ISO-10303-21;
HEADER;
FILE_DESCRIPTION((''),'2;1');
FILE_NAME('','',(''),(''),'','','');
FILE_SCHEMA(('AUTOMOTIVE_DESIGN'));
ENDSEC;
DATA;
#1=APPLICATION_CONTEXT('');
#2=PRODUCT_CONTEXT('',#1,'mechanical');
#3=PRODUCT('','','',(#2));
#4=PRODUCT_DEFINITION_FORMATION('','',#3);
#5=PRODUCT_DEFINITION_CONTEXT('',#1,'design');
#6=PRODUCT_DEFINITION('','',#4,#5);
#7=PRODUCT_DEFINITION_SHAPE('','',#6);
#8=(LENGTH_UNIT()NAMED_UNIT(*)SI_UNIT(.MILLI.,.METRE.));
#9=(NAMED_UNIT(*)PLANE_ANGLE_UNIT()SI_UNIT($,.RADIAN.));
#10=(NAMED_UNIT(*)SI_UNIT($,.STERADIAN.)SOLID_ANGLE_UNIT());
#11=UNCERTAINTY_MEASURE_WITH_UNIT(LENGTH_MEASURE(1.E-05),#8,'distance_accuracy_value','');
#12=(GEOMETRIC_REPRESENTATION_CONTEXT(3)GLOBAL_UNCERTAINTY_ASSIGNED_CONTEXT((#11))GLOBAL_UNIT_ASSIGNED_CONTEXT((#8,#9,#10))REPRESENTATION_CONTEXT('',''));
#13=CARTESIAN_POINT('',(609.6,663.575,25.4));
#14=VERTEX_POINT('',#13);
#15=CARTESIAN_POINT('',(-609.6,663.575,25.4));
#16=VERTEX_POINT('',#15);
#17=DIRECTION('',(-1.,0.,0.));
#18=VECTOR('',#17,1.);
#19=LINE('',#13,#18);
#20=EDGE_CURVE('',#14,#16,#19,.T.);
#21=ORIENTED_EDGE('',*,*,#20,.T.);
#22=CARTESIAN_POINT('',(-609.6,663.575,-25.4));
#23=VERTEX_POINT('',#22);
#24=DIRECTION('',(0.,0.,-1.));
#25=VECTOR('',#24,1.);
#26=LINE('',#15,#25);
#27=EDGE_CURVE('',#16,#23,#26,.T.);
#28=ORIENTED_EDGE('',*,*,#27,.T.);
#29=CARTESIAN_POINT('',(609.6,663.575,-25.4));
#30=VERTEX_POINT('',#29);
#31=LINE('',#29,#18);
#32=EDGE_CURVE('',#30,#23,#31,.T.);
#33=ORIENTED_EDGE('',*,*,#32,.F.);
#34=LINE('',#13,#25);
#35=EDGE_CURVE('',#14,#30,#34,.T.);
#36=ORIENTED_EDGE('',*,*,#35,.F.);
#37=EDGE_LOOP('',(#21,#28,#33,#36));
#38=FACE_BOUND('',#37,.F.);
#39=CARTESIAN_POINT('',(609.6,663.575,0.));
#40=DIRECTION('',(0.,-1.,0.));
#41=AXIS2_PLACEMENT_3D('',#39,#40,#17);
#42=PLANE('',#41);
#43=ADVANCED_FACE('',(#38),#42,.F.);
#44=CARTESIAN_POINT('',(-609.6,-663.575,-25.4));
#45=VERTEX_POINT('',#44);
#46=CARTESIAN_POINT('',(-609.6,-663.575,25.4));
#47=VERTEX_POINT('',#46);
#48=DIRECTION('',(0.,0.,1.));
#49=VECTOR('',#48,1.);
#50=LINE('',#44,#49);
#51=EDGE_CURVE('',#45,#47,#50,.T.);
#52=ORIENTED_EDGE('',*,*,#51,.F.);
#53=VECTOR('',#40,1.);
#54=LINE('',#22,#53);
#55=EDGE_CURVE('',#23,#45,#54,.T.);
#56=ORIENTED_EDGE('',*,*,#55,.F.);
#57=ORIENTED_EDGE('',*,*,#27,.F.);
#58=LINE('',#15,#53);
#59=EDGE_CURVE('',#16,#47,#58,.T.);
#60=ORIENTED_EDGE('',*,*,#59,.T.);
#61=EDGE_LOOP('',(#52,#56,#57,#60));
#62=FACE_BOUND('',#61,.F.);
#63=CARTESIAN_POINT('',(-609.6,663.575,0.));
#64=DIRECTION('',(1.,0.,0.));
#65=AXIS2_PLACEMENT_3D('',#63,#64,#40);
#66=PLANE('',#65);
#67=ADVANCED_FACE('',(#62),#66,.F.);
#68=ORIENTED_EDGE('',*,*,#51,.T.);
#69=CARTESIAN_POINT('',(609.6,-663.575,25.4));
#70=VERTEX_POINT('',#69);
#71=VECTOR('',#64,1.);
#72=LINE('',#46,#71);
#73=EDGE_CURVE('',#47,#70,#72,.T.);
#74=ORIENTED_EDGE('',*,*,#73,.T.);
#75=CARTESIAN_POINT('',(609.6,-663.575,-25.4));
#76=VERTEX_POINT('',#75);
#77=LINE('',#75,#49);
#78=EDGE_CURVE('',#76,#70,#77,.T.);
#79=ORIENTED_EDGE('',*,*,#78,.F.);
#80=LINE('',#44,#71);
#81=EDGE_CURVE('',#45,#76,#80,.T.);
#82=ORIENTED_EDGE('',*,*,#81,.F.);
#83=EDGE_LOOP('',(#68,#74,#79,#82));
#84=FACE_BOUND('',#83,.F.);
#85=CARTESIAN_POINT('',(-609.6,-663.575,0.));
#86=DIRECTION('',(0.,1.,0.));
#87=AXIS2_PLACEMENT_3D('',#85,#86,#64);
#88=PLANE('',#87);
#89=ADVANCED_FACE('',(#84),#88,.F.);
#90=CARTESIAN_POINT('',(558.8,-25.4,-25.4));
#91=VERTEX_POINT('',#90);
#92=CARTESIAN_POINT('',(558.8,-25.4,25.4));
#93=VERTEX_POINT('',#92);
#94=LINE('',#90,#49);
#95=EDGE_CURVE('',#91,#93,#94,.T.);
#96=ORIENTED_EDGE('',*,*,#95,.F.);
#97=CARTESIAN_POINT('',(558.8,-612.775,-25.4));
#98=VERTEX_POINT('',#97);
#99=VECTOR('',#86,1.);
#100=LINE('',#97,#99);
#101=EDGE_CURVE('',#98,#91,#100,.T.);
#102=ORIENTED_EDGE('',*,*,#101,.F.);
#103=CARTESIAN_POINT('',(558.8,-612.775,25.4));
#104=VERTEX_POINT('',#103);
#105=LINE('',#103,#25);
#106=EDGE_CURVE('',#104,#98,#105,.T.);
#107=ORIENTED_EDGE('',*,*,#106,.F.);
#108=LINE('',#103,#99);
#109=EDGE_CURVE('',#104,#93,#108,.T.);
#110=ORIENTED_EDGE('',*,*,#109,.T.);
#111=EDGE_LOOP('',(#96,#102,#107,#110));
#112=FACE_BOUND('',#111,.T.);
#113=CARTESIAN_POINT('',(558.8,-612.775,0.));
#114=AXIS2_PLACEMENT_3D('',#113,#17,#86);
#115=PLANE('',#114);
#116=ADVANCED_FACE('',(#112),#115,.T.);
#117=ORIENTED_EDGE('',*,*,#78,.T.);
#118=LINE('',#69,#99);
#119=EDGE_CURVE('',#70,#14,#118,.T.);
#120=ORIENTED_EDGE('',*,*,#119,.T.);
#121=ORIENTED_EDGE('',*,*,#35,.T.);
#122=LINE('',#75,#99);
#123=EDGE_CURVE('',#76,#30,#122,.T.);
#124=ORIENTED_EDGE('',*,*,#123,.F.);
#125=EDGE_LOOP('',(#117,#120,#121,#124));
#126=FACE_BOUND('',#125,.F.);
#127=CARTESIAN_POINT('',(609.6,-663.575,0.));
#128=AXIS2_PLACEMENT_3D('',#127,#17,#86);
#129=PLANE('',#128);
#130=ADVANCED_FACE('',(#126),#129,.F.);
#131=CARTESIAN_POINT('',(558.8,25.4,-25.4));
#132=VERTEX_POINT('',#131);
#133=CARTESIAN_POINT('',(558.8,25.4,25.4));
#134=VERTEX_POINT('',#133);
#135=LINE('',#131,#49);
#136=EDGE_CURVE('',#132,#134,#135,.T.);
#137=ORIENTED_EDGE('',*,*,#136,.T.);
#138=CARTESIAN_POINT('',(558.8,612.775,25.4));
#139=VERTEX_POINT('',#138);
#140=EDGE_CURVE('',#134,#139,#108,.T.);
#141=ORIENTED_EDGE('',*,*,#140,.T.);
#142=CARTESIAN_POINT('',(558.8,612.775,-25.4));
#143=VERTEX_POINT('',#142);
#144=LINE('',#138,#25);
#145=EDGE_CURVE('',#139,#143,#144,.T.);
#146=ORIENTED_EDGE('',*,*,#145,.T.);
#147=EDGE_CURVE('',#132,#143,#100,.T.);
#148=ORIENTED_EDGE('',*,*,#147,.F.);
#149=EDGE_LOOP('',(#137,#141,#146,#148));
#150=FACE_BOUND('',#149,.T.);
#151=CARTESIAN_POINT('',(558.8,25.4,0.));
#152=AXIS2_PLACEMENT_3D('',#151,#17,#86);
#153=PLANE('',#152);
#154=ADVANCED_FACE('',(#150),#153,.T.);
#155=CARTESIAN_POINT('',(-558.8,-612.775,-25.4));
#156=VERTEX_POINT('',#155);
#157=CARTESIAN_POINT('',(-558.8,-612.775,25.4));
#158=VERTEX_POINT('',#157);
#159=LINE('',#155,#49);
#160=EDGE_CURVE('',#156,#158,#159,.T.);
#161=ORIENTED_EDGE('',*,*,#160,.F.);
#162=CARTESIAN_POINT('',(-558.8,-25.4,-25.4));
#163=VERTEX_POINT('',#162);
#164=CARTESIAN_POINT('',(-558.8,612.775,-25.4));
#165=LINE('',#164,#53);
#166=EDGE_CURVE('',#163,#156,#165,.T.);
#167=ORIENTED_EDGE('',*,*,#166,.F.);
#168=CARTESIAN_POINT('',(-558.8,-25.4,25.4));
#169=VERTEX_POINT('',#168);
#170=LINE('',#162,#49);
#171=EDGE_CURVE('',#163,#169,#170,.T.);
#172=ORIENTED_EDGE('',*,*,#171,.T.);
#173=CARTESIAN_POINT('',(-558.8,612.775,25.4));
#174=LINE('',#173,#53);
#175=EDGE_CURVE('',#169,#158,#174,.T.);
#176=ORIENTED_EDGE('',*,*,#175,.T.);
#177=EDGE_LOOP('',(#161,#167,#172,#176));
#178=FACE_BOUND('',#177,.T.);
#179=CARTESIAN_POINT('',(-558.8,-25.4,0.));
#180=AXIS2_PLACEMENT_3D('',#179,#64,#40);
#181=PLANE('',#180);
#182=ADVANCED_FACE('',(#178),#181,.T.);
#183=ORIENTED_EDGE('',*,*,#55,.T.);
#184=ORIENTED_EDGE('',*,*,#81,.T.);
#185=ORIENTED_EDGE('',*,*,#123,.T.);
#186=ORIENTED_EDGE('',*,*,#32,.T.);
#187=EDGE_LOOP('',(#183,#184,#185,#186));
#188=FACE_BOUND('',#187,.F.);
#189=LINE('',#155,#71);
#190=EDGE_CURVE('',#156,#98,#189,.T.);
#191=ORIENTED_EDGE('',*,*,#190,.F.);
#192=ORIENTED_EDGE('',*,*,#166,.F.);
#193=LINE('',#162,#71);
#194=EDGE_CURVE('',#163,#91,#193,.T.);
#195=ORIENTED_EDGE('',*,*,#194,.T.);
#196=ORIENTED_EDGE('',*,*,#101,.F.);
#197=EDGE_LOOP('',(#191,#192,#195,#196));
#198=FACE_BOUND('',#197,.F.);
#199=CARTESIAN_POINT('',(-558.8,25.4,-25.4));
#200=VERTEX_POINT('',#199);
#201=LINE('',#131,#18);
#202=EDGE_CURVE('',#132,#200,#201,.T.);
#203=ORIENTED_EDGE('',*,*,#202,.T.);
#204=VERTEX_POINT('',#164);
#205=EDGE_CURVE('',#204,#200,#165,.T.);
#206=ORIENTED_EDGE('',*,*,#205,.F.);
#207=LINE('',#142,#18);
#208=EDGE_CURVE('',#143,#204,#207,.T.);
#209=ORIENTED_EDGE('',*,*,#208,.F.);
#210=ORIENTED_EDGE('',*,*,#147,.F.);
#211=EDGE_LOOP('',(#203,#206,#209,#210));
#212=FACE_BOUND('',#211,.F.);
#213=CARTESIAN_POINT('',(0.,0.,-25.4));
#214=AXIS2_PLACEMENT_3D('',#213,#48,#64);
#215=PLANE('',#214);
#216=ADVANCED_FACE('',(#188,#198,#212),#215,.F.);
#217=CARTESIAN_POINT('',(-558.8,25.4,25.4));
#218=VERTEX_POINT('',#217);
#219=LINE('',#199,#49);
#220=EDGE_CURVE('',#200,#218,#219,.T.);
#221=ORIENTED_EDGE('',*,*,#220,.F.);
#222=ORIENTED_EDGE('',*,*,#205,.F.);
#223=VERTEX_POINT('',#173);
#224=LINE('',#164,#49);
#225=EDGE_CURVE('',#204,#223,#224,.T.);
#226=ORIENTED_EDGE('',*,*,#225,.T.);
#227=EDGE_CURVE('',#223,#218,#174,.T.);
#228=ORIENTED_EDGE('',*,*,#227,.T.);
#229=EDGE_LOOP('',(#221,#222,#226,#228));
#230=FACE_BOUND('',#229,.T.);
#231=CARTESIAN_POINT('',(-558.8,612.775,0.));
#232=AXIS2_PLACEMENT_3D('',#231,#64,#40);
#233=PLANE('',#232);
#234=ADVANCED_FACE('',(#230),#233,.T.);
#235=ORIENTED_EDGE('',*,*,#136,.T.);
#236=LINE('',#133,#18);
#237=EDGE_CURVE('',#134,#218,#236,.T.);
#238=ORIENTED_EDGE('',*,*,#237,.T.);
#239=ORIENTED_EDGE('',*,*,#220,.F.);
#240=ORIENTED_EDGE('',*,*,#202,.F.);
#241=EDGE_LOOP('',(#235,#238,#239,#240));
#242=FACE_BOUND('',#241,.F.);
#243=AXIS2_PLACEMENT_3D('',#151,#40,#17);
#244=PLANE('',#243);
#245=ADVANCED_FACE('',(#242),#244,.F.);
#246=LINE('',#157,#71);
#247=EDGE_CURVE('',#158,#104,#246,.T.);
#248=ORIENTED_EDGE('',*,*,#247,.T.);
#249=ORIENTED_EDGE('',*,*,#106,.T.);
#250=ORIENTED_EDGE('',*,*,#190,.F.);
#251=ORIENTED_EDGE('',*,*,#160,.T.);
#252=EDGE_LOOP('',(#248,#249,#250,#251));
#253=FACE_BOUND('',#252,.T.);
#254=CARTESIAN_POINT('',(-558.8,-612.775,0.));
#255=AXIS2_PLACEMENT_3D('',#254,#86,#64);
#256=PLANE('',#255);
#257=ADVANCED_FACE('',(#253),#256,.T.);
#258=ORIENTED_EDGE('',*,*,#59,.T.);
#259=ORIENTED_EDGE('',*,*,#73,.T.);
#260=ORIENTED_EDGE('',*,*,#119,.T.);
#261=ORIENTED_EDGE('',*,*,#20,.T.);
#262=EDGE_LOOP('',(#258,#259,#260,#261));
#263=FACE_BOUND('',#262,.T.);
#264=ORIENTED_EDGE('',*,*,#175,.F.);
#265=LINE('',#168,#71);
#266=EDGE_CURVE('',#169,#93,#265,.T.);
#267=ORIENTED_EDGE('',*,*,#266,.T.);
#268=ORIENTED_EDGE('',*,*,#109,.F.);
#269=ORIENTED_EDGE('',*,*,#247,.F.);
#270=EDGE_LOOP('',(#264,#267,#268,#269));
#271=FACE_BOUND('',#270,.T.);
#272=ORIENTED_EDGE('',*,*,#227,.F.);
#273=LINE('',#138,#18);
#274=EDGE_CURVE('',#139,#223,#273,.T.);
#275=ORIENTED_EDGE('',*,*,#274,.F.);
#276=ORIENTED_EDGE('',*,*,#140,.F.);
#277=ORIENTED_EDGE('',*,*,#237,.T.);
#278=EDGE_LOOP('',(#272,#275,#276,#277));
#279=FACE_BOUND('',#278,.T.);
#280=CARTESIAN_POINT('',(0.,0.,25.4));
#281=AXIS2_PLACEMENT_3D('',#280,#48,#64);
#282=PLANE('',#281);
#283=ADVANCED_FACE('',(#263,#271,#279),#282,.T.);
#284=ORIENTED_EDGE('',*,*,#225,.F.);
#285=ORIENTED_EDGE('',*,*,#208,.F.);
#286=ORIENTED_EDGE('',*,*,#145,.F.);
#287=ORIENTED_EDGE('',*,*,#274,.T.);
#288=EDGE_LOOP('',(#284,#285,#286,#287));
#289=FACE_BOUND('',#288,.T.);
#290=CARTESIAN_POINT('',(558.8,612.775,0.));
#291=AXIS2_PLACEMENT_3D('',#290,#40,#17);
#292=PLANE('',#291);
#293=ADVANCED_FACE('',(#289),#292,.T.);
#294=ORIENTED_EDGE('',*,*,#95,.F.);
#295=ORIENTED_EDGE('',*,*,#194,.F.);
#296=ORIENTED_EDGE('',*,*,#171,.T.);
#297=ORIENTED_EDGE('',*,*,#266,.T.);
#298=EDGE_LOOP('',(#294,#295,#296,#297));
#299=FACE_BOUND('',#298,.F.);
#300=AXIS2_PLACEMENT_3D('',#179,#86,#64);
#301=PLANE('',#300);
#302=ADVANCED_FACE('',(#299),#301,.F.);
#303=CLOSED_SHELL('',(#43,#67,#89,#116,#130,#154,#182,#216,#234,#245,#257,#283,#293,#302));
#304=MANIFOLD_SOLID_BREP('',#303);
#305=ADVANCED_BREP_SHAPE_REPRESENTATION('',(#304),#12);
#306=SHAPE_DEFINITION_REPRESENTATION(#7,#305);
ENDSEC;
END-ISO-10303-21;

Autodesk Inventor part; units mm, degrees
ref_plane "YZ Plane" through (0, 0, 0) normal (1, 0, 0) x (0, 1, 0)
ref_plane "XZ Plane" through (0, 0, 0) normal (0, 1, 0) x (-1, 0, 0)
ref_plane "XY Plane" through (0, 0, 0) normal (0, 0, 1) x (1, 0, 0)
sketch "Sketch1" plane through (0, 0, 0) normal (0, 0, 1) x (1, 0, 0)
  line L0 (-609.6, -663.575) -> (609.6, -663.575)
  line L1 (609.6, -663.575) -> (609.6, 663.575)
  line L2 (609.6, 663.575) -> (-609.6, 663.575)
  line L3 (-609.6, 663.575) -> (-609.6, -663.575)
  line L4 (-609.6, -663.575) -> (609.6, 663.575) construction
  line L5 (609.6, -663.575) -> (-609.6, 663.575) construction
  line L6 (-558.8, -612.775) -> (558.8, -612.775)
  line L7 (558.8, -612.775) -> (558.8, 612.775)
  line L8 (558.8, 612.775) -> (-558.8, 612.775)
  line L9 (-558.8, 612.775) -> (-558.8, -612.775)
  line L10 (-558.8, -612.775) -> (558.8, 612.775) construction
  line L11 (558.8, -612.775) -> (-558.8, 612.775) construction
  line L12 (-558.8, -25.4) -> (558.8, -25.4)
  line L13 (558.8, -25.4) -> (558.8, 25.4)
  line L14 (558.8, 25.4) -> (-558.8, 25.4)
  line L15 (-558.8, 25.4) -> (-558.8, -25.4)
  line L16 (-558.8, -25.4) -> (558.8, 25.4) construction
  line L17 (558.8, -25.4) -> (-558.8, 25.4) construction
  point P0 (0, 0)
  dimension "d0" = 1219.2
  dimension "height" = 1327.15
  dimension "d2" = 1117.6
  dimension "d3" = 1225.55
  dimension "d4" = 50.8
extrude "Extrusion1" add sketch "Sketch1" along normal mid plane 50.8 contours L3 L2 L1 L0 | L9 L14 L7 L12
properties part number "Pool Door" material "Aluminum 6061"
